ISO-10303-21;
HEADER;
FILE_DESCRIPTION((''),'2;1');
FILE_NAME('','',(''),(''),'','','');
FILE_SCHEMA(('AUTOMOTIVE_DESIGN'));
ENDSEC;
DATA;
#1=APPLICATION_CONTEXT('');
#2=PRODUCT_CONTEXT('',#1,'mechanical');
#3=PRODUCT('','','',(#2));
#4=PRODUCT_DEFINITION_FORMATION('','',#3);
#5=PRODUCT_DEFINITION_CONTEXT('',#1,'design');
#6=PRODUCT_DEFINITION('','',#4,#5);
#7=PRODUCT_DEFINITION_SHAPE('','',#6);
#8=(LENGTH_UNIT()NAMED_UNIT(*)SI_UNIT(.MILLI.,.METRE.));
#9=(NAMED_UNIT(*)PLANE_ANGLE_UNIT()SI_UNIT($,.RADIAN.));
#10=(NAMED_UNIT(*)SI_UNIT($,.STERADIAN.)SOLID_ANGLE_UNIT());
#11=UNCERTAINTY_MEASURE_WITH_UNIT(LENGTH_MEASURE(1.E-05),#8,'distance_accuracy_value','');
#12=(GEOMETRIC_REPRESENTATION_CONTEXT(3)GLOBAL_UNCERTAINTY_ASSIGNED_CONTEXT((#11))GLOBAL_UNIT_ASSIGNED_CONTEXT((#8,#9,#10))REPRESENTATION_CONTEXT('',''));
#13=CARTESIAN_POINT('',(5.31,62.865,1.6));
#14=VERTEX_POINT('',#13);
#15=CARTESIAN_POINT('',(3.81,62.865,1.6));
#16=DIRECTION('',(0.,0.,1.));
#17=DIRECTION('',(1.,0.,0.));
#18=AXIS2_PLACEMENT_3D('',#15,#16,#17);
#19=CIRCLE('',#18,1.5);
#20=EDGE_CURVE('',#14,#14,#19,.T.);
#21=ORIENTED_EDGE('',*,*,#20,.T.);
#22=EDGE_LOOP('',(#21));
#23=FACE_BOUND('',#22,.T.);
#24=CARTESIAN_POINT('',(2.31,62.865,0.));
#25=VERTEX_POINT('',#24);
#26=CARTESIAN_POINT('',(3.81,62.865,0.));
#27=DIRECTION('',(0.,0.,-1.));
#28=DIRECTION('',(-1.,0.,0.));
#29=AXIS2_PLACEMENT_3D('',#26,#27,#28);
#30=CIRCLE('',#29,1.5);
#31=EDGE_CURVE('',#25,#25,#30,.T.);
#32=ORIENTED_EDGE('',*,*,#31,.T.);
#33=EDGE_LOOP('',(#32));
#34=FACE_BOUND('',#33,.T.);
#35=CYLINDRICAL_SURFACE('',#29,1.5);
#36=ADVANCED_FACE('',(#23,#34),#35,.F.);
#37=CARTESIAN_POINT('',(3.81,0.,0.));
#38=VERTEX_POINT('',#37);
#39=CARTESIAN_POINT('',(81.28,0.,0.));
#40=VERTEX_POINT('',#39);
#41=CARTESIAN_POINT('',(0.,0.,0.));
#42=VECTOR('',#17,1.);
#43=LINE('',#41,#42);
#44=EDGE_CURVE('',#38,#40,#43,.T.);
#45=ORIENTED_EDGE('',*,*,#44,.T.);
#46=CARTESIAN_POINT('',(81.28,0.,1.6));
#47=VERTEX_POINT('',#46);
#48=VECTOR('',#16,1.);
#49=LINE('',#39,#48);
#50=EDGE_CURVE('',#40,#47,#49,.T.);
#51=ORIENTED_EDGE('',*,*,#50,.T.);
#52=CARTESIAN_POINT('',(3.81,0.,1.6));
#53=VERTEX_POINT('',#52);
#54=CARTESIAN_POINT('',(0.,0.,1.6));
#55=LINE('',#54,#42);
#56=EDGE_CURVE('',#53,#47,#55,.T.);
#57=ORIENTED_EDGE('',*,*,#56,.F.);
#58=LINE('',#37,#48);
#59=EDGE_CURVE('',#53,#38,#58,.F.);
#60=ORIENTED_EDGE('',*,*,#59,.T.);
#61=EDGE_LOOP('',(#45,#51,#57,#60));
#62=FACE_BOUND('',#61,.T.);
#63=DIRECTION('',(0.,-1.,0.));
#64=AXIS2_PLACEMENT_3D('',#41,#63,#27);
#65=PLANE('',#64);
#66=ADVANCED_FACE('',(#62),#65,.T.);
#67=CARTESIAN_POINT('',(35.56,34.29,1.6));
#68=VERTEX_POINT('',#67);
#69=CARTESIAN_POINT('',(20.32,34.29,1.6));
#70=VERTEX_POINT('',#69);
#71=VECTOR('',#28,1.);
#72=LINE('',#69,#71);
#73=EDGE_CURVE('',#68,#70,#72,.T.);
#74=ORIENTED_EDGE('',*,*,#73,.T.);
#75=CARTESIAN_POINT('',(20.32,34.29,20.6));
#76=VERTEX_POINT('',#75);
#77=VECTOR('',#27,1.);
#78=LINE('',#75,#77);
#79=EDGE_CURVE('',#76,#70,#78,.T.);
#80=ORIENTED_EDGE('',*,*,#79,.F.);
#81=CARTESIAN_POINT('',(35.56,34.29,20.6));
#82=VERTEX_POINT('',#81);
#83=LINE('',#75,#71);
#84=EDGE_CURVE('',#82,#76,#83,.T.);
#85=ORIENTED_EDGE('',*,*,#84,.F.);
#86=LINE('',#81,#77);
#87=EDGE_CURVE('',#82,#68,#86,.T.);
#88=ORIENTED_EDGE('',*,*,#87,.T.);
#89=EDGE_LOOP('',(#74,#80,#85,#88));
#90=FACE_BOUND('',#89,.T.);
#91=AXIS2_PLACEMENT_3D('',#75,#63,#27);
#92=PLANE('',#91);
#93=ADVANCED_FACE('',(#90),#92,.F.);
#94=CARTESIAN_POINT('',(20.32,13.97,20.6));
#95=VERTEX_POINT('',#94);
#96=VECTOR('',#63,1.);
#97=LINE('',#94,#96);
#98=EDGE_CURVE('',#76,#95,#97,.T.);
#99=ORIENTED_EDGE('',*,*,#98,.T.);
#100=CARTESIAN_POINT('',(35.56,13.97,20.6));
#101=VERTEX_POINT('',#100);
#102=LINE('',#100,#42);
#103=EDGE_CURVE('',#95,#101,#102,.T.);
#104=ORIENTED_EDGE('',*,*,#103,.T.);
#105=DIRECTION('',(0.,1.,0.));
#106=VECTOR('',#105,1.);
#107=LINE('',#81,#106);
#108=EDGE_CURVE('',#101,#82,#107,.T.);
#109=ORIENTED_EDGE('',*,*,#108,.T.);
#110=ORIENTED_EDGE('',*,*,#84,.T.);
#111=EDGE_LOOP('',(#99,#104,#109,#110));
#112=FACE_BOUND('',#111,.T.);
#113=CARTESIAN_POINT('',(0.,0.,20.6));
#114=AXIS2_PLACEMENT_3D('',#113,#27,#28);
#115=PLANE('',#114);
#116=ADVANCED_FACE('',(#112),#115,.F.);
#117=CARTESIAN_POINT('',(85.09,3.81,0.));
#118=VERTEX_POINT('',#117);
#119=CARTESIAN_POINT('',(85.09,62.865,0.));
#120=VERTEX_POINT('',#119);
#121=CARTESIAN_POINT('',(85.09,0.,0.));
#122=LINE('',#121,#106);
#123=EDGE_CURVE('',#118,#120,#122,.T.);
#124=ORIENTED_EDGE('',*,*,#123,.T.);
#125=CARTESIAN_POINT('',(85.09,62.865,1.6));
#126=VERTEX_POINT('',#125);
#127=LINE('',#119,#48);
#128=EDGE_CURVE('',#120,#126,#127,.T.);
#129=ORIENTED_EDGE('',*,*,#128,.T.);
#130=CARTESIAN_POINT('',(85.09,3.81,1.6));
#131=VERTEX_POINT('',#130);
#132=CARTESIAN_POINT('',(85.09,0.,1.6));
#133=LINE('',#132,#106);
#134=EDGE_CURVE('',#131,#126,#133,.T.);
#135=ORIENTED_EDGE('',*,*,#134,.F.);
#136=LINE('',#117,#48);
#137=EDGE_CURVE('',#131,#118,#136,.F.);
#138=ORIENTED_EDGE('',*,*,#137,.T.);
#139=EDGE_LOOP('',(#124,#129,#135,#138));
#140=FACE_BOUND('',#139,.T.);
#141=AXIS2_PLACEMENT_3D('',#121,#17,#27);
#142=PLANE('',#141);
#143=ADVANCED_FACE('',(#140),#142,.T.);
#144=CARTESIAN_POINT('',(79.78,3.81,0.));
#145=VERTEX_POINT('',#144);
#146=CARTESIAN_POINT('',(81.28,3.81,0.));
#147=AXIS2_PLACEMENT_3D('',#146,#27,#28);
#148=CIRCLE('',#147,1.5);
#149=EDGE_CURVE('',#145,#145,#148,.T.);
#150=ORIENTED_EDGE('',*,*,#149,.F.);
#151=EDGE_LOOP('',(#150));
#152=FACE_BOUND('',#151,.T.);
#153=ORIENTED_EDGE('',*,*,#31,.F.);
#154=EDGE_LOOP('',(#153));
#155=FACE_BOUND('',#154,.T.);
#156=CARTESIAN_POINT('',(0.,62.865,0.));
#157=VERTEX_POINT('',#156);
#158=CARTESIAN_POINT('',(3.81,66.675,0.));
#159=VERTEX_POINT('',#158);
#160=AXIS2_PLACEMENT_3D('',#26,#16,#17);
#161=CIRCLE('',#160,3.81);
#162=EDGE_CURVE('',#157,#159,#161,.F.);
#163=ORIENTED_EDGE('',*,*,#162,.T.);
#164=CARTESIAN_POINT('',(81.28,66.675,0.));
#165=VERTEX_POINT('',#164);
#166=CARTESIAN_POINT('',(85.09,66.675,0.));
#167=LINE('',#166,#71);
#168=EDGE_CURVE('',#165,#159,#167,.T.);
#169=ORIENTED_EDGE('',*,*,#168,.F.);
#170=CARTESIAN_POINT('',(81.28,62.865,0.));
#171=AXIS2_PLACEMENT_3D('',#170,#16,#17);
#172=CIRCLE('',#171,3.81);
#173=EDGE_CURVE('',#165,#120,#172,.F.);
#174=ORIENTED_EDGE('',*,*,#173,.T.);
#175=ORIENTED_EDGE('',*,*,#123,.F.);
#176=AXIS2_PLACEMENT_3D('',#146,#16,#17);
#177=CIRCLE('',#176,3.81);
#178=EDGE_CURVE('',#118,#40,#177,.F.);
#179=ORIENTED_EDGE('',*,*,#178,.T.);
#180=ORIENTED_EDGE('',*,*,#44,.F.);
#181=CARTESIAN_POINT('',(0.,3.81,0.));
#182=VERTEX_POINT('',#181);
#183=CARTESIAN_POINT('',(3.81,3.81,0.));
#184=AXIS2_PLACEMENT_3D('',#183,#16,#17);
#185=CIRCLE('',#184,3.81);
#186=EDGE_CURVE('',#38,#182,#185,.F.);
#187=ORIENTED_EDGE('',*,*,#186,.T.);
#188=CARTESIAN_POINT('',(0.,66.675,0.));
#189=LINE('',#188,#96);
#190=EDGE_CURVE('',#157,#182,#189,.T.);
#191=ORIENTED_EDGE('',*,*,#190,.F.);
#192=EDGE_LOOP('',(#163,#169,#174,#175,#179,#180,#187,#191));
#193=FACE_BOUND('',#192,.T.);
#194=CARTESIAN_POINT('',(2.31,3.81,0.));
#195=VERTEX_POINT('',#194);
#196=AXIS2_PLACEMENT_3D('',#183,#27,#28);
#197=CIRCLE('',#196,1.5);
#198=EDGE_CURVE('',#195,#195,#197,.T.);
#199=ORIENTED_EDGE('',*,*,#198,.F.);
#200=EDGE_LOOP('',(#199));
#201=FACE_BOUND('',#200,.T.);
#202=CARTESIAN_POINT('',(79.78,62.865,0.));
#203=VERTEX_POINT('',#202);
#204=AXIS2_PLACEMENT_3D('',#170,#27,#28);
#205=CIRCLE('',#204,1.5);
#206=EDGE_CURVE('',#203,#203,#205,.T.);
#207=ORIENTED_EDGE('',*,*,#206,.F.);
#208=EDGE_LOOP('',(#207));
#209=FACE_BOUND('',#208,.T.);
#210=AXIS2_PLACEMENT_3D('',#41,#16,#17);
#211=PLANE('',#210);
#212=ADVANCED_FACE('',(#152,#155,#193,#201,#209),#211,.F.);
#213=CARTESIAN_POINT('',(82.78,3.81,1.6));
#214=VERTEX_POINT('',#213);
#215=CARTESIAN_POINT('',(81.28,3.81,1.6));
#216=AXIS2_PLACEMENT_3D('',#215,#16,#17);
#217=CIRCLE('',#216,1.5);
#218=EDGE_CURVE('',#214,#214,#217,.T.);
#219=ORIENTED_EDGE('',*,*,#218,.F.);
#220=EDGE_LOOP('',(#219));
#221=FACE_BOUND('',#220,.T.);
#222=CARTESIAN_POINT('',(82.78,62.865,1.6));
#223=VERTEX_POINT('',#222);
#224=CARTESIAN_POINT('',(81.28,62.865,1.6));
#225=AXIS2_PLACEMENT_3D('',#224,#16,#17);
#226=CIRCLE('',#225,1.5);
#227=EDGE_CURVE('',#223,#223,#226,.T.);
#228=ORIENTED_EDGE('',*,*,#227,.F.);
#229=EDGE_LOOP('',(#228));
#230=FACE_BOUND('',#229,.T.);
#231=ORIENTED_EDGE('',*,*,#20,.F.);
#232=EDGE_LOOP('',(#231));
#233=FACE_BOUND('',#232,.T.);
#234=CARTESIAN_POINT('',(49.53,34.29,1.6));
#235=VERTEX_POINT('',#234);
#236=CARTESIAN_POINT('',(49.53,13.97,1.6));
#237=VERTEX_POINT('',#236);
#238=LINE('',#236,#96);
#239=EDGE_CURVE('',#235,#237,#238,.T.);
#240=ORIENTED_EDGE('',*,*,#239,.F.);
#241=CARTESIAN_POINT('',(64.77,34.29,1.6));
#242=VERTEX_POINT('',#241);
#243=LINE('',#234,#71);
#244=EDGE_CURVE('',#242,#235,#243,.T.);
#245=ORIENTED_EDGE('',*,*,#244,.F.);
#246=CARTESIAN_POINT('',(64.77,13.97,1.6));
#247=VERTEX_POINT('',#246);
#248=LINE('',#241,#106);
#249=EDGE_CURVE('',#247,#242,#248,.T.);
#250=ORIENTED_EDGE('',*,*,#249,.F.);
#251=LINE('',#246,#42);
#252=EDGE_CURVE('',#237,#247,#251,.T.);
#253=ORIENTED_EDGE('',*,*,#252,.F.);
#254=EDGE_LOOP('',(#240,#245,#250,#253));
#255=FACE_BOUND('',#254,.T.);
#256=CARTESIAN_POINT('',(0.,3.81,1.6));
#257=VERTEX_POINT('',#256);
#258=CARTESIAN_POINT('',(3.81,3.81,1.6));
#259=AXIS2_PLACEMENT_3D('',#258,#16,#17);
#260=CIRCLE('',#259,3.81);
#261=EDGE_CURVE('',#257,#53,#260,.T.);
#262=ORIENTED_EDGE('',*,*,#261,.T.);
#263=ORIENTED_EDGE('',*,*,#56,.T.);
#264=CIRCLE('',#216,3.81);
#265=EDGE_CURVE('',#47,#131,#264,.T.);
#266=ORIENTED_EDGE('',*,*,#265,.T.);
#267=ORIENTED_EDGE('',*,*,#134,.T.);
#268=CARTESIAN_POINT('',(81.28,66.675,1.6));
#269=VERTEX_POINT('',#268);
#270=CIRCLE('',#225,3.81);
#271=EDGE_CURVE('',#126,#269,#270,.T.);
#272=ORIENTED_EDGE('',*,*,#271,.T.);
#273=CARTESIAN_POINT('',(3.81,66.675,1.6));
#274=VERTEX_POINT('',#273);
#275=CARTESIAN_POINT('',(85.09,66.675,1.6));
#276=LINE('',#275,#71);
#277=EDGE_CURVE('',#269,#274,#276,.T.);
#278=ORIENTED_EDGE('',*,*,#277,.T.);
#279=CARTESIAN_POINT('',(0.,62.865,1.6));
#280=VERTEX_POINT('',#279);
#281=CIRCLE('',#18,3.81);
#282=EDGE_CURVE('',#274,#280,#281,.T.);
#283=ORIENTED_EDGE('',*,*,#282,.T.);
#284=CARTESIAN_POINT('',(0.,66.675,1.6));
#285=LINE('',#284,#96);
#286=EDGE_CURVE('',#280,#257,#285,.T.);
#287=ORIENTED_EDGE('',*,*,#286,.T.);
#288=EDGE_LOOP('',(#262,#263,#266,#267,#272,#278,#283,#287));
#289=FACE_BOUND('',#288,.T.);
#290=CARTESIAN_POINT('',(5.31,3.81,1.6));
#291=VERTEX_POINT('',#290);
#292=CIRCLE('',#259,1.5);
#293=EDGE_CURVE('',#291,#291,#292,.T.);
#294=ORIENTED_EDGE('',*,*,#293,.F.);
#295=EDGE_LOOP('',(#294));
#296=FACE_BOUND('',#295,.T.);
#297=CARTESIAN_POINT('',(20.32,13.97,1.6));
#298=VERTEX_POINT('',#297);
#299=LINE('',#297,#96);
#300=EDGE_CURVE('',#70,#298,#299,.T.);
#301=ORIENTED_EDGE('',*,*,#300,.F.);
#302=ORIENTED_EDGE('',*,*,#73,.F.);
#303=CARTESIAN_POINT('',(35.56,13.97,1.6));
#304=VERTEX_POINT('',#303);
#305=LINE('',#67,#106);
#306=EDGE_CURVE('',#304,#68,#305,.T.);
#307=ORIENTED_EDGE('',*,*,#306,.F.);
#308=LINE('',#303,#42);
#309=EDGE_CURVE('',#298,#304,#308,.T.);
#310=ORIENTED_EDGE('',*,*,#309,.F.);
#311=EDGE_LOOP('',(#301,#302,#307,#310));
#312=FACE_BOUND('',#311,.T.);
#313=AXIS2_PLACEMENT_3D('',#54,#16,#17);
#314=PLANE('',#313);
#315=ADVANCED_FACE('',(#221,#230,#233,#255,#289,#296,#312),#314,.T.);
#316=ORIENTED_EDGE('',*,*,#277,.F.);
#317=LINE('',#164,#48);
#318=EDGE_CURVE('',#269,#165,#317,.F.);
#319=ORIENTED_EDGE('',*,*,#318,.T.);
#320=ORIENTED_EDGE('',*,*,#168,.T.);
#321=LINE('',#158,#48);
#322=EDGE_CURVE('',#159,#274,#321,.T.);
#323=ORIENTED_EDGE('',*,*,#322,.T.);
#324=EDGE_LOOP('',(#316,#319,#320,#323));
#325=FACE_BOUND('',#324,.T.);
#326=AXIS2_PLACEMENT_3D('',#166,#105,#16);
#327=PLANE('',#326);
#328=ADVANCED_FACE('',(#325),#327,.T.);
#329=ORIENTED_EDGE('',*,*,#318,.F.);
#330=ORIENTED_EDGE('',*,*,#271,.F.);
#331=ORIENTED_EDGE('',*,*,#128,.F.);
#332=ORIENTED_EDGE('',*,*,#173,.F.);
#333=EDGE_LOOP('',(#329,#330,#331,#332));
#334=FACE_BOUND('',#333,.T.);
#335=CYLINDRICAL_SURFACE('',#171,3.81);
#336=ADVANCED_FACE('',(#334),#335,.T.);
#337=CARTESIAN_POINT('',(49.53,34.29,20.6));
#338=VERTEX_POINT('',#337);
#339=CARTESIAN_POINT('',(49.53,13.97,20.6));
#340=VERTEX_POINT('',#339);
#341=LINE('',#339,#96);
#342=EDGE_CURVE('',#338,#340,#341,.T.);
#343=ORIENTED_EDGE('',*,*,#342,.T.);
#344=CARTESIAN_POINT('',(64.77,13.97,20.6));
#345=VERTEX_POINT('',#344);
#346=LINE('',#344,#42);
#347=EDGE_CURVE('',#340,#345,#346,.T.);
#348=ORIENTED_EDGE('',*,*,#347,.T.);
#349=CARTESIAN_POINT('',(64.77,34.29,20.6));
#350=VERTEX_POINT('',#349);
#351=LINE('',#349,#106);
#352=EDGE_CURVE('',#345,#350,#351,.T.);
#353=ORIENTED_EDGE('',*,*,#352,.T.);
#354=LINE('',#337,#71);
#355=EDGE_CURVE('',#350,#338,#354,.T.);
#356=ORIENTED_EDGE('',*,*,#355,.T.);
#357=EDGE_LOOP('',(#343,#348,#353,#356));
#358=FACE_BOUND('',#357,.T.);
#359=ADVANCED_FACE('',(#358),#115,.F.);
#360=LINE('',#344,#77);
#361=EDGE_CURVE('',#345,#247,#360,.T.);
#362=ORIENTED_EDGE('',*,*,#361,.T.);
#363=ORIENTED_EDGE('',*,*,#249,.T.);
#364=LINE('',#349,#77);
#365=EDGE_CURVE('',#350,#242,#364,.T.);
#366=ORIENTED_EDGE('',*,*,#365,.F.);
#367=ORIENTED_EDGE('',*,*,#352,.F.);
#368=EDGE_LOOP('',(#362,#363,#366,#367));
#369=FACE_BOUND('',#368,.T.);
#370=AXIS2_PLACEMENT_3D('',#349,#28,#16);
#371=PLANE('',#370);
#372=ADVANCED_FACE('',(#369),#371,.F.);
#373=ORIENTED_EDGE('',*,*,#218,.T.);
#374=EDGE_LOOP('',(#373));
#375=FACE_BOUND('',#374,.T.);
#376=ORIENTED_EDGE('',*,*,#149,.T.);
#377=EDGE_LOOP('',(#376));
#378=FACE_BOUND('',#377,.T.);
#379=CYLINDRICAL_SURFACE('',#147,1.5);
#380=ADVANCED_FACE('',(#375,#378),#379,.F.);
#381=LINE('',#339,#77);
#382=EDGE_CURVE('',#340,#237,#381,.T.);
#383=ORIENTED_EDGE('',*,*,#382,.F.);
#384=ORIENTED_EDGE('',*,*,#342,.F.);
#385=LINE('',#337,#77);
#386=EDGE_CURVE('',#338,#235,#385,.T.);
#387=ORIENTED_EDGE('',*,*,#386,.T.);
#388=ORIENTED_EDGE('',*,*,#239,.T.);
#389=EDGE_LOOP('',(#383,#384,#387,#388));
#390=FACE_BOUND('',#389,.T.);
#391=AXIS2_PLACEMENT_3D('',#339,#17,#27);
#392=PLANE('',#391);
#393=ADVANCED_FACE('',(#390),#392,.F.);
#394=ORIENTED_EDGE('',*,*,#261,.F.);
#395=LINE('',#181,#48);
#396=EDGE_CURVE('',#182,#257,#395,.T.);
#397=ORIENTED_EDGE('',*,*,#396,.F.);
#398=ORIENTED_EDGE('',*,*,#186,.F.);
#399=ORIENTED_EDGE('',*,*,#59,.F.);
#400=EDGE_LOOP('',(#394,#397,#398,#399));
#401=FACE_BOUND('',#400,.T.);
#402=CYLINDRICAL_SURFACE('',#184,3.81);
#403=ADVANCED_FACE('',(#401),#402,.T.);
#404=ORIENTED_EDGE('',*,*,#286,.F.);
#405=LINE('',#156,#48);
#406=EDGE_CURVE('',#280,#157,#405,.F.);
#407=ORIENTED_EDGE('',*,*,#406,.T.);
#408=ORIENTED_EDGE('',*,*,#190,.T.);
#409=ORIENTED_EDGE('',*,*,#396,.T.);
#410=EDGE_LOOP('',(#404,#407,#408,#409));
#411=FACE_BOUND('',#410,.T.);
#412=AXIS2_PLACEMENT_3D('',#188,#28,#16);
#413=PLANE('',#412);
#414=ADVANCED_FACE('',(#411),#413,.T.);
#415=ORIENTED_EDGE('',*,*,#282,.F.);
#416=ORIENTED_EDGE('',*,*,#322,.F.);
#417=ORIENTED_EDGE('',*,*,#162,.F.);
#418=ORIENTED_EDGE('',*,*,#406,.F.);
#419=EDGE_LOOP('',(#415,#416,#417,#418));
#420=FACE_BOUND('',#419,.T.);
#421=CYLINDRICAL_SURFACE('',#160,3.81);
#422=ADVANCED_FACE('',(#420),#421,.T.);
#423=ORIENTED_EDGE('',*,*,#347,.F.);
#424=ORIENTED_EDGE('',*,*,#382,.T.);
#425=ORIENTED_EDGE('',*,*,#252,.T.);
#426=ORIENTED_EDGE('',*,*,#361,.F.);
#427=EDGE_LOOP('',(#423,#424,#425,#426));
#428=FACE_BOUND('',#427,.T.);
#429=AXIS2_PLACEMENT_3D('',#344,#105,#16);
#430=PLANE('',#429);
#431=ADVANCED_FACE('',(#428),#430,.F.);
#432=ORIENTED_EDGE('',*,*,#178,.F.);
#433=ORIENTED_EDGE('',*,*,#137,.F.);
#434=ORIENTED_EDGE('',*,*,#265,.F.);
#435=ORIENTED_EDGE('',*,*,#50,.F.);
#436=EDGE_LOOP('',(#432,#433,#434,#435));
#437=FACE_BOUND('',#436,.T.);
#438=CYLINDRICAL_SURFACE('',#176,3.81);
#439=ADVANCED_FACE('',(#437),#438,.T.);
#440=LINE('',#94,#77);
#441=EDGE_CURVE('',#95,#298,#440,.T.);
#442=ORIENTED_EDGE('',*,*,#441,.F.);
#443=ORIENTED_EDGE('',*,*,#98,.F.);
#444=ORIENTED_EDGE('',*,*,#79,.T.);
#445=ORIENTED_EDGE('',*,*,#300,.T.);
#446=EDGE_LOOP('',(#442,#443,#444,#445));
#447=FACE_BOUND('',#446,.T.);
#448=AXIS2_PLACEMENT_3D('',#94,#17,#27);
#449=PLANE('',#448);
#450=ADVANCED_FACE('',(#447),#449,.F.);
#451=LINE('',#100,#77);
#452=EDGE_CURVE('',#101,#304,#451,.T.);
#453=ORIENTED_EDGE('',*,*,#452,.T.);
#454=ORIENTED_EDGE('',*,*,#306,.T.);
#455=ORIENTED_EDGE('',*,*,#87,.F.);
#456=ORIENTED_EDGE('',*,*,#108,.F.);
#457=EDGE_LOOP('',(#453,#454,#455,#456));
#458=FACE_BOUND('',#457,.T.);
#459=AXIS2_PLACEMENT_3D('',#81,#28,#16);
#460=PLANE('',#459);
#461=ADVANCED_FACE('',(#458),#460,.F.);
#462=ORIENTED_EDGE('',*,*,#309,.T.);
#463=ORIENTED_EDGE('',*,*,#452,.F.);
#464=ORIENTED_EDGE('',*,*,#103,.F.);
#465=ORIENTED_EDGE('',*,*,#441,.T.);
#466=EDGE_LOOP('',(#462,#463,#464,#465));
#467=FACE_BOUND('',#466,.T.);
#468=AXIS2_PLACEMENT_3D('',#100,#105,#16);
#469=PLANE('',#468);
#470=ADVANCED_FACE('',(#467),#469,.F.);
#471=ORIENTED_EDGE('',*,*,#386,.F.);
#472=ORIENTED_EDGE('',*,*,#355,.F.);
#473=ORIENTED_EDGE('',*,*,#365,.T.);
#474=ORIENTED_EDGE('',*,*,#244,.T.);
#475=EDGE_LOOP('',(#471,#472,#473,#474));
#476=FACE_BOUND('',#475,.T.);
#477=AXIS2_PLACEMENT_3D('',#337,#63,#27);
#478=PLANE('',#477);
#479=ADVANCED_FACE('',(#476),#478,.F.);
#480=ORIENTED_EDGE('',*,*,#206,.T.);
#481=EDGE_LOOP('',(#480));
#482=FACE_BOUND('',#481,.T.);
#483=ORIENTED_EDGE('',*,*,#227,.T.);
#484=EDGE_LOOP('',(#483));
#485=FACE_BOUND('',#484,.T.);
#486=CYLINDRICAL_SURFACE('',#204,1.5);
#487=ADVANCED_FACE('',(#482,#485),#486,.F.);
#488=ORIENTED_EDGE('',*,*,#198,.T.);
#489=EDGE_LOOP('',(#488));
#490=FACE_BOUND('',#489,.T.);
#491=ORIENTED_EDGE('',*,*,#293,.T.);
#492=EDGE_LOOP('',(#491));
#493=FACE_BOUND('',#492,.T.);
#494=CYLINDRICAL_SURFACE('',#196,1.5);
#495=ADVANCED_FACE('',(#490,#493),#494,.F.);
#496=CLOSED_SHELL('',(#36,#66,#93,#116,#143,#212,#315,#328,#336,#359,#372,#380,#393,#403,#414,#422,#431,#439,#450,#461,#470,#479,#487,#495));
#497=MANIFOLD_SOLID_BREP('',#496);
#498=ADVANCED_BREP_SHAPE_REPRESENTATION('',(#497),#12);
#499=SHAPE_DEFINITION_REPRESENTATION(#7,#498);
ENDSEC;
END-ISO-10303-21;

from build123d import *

# Parameters (mm, degrees)
SKETCH_1_W                = 85.09
SKETCH_1_H                = 66.675
EXTRUDE_1_DEPTH           = 1.6
SKETCH_2_W                = 15.24
SKETCH_2_H                = 20.32
EXTRUDE_2_DEPTH           = 19
SKETCH_3_W                = 15.24
SKETCH_3_H                = 20.32
EXTRUDE_3_DEPTH           = 19
HOLE_WIZARD_3_0_3_1_D     = 3
HOLE_WIZARD_3_0_3_1_DEPTH = 20.6
FILLET_1_R                = 3.81


with BuildPart() as part:
    # 草图1 → 凸台-拉伸1 (new body)
    with BuildSketch(Plane.XY.offset(1.6)):
        with Locations((42.545, 33.3375)):
            Rectangle(SKETCH_1_W, SKETCH_1_H)
    extrude(amount=-EXTRUDE_1_DEPTH)

    # 草图2 → 凸台-拉伸2 (add)
    with BuildSketch(Plane.XY.offset(1.6)):
        with Locations((57.15, 24.13)):
            Rectangle(SKETCH_2_W, SKETCH_2_H)
    extrude(amount=EXTRUDE_2_DEPTH)

    # 草图3 → 凸台-拉伸3 (add)
    with BuildSketch(Plane.XY.offset(1.6)):
        with Locations((27.94, 24.13)):
            Rectangle(SKETCH_3_W, SKETCH_3_H)
    extrude(amount=EXTRUDE_3_DEPTH)

    # Ø3.0 (3) 直径孔1
    with Locations(Plane(origin=(0, 0, 0), x_dir=(-1, 0, 0), z_dir=(0, 0, -1))):
        with Locations((-3.81, 62.865), (-3.81, 3.81), (-81.28, 3.81), (-81.28, 62.865)):
            Hole(HOLE_WIZARD_3_0_3_1_D / 2, depth=HOLE_WIZARD_3_0_3_1_DEPTH)

    # 圆角1
    fillet_1_edges = [part.edges().sort_by_distance(p)[0] for p in [
        (0, 0, 0.8),
        (0, 66.675, 0.8),
        (85.09, 66.675, 0.8),
        (85.09, 0, 0.8),
    ]]
    fillet(fillet_1_edges, radius=FILLET_1_R)


solid = part.part
